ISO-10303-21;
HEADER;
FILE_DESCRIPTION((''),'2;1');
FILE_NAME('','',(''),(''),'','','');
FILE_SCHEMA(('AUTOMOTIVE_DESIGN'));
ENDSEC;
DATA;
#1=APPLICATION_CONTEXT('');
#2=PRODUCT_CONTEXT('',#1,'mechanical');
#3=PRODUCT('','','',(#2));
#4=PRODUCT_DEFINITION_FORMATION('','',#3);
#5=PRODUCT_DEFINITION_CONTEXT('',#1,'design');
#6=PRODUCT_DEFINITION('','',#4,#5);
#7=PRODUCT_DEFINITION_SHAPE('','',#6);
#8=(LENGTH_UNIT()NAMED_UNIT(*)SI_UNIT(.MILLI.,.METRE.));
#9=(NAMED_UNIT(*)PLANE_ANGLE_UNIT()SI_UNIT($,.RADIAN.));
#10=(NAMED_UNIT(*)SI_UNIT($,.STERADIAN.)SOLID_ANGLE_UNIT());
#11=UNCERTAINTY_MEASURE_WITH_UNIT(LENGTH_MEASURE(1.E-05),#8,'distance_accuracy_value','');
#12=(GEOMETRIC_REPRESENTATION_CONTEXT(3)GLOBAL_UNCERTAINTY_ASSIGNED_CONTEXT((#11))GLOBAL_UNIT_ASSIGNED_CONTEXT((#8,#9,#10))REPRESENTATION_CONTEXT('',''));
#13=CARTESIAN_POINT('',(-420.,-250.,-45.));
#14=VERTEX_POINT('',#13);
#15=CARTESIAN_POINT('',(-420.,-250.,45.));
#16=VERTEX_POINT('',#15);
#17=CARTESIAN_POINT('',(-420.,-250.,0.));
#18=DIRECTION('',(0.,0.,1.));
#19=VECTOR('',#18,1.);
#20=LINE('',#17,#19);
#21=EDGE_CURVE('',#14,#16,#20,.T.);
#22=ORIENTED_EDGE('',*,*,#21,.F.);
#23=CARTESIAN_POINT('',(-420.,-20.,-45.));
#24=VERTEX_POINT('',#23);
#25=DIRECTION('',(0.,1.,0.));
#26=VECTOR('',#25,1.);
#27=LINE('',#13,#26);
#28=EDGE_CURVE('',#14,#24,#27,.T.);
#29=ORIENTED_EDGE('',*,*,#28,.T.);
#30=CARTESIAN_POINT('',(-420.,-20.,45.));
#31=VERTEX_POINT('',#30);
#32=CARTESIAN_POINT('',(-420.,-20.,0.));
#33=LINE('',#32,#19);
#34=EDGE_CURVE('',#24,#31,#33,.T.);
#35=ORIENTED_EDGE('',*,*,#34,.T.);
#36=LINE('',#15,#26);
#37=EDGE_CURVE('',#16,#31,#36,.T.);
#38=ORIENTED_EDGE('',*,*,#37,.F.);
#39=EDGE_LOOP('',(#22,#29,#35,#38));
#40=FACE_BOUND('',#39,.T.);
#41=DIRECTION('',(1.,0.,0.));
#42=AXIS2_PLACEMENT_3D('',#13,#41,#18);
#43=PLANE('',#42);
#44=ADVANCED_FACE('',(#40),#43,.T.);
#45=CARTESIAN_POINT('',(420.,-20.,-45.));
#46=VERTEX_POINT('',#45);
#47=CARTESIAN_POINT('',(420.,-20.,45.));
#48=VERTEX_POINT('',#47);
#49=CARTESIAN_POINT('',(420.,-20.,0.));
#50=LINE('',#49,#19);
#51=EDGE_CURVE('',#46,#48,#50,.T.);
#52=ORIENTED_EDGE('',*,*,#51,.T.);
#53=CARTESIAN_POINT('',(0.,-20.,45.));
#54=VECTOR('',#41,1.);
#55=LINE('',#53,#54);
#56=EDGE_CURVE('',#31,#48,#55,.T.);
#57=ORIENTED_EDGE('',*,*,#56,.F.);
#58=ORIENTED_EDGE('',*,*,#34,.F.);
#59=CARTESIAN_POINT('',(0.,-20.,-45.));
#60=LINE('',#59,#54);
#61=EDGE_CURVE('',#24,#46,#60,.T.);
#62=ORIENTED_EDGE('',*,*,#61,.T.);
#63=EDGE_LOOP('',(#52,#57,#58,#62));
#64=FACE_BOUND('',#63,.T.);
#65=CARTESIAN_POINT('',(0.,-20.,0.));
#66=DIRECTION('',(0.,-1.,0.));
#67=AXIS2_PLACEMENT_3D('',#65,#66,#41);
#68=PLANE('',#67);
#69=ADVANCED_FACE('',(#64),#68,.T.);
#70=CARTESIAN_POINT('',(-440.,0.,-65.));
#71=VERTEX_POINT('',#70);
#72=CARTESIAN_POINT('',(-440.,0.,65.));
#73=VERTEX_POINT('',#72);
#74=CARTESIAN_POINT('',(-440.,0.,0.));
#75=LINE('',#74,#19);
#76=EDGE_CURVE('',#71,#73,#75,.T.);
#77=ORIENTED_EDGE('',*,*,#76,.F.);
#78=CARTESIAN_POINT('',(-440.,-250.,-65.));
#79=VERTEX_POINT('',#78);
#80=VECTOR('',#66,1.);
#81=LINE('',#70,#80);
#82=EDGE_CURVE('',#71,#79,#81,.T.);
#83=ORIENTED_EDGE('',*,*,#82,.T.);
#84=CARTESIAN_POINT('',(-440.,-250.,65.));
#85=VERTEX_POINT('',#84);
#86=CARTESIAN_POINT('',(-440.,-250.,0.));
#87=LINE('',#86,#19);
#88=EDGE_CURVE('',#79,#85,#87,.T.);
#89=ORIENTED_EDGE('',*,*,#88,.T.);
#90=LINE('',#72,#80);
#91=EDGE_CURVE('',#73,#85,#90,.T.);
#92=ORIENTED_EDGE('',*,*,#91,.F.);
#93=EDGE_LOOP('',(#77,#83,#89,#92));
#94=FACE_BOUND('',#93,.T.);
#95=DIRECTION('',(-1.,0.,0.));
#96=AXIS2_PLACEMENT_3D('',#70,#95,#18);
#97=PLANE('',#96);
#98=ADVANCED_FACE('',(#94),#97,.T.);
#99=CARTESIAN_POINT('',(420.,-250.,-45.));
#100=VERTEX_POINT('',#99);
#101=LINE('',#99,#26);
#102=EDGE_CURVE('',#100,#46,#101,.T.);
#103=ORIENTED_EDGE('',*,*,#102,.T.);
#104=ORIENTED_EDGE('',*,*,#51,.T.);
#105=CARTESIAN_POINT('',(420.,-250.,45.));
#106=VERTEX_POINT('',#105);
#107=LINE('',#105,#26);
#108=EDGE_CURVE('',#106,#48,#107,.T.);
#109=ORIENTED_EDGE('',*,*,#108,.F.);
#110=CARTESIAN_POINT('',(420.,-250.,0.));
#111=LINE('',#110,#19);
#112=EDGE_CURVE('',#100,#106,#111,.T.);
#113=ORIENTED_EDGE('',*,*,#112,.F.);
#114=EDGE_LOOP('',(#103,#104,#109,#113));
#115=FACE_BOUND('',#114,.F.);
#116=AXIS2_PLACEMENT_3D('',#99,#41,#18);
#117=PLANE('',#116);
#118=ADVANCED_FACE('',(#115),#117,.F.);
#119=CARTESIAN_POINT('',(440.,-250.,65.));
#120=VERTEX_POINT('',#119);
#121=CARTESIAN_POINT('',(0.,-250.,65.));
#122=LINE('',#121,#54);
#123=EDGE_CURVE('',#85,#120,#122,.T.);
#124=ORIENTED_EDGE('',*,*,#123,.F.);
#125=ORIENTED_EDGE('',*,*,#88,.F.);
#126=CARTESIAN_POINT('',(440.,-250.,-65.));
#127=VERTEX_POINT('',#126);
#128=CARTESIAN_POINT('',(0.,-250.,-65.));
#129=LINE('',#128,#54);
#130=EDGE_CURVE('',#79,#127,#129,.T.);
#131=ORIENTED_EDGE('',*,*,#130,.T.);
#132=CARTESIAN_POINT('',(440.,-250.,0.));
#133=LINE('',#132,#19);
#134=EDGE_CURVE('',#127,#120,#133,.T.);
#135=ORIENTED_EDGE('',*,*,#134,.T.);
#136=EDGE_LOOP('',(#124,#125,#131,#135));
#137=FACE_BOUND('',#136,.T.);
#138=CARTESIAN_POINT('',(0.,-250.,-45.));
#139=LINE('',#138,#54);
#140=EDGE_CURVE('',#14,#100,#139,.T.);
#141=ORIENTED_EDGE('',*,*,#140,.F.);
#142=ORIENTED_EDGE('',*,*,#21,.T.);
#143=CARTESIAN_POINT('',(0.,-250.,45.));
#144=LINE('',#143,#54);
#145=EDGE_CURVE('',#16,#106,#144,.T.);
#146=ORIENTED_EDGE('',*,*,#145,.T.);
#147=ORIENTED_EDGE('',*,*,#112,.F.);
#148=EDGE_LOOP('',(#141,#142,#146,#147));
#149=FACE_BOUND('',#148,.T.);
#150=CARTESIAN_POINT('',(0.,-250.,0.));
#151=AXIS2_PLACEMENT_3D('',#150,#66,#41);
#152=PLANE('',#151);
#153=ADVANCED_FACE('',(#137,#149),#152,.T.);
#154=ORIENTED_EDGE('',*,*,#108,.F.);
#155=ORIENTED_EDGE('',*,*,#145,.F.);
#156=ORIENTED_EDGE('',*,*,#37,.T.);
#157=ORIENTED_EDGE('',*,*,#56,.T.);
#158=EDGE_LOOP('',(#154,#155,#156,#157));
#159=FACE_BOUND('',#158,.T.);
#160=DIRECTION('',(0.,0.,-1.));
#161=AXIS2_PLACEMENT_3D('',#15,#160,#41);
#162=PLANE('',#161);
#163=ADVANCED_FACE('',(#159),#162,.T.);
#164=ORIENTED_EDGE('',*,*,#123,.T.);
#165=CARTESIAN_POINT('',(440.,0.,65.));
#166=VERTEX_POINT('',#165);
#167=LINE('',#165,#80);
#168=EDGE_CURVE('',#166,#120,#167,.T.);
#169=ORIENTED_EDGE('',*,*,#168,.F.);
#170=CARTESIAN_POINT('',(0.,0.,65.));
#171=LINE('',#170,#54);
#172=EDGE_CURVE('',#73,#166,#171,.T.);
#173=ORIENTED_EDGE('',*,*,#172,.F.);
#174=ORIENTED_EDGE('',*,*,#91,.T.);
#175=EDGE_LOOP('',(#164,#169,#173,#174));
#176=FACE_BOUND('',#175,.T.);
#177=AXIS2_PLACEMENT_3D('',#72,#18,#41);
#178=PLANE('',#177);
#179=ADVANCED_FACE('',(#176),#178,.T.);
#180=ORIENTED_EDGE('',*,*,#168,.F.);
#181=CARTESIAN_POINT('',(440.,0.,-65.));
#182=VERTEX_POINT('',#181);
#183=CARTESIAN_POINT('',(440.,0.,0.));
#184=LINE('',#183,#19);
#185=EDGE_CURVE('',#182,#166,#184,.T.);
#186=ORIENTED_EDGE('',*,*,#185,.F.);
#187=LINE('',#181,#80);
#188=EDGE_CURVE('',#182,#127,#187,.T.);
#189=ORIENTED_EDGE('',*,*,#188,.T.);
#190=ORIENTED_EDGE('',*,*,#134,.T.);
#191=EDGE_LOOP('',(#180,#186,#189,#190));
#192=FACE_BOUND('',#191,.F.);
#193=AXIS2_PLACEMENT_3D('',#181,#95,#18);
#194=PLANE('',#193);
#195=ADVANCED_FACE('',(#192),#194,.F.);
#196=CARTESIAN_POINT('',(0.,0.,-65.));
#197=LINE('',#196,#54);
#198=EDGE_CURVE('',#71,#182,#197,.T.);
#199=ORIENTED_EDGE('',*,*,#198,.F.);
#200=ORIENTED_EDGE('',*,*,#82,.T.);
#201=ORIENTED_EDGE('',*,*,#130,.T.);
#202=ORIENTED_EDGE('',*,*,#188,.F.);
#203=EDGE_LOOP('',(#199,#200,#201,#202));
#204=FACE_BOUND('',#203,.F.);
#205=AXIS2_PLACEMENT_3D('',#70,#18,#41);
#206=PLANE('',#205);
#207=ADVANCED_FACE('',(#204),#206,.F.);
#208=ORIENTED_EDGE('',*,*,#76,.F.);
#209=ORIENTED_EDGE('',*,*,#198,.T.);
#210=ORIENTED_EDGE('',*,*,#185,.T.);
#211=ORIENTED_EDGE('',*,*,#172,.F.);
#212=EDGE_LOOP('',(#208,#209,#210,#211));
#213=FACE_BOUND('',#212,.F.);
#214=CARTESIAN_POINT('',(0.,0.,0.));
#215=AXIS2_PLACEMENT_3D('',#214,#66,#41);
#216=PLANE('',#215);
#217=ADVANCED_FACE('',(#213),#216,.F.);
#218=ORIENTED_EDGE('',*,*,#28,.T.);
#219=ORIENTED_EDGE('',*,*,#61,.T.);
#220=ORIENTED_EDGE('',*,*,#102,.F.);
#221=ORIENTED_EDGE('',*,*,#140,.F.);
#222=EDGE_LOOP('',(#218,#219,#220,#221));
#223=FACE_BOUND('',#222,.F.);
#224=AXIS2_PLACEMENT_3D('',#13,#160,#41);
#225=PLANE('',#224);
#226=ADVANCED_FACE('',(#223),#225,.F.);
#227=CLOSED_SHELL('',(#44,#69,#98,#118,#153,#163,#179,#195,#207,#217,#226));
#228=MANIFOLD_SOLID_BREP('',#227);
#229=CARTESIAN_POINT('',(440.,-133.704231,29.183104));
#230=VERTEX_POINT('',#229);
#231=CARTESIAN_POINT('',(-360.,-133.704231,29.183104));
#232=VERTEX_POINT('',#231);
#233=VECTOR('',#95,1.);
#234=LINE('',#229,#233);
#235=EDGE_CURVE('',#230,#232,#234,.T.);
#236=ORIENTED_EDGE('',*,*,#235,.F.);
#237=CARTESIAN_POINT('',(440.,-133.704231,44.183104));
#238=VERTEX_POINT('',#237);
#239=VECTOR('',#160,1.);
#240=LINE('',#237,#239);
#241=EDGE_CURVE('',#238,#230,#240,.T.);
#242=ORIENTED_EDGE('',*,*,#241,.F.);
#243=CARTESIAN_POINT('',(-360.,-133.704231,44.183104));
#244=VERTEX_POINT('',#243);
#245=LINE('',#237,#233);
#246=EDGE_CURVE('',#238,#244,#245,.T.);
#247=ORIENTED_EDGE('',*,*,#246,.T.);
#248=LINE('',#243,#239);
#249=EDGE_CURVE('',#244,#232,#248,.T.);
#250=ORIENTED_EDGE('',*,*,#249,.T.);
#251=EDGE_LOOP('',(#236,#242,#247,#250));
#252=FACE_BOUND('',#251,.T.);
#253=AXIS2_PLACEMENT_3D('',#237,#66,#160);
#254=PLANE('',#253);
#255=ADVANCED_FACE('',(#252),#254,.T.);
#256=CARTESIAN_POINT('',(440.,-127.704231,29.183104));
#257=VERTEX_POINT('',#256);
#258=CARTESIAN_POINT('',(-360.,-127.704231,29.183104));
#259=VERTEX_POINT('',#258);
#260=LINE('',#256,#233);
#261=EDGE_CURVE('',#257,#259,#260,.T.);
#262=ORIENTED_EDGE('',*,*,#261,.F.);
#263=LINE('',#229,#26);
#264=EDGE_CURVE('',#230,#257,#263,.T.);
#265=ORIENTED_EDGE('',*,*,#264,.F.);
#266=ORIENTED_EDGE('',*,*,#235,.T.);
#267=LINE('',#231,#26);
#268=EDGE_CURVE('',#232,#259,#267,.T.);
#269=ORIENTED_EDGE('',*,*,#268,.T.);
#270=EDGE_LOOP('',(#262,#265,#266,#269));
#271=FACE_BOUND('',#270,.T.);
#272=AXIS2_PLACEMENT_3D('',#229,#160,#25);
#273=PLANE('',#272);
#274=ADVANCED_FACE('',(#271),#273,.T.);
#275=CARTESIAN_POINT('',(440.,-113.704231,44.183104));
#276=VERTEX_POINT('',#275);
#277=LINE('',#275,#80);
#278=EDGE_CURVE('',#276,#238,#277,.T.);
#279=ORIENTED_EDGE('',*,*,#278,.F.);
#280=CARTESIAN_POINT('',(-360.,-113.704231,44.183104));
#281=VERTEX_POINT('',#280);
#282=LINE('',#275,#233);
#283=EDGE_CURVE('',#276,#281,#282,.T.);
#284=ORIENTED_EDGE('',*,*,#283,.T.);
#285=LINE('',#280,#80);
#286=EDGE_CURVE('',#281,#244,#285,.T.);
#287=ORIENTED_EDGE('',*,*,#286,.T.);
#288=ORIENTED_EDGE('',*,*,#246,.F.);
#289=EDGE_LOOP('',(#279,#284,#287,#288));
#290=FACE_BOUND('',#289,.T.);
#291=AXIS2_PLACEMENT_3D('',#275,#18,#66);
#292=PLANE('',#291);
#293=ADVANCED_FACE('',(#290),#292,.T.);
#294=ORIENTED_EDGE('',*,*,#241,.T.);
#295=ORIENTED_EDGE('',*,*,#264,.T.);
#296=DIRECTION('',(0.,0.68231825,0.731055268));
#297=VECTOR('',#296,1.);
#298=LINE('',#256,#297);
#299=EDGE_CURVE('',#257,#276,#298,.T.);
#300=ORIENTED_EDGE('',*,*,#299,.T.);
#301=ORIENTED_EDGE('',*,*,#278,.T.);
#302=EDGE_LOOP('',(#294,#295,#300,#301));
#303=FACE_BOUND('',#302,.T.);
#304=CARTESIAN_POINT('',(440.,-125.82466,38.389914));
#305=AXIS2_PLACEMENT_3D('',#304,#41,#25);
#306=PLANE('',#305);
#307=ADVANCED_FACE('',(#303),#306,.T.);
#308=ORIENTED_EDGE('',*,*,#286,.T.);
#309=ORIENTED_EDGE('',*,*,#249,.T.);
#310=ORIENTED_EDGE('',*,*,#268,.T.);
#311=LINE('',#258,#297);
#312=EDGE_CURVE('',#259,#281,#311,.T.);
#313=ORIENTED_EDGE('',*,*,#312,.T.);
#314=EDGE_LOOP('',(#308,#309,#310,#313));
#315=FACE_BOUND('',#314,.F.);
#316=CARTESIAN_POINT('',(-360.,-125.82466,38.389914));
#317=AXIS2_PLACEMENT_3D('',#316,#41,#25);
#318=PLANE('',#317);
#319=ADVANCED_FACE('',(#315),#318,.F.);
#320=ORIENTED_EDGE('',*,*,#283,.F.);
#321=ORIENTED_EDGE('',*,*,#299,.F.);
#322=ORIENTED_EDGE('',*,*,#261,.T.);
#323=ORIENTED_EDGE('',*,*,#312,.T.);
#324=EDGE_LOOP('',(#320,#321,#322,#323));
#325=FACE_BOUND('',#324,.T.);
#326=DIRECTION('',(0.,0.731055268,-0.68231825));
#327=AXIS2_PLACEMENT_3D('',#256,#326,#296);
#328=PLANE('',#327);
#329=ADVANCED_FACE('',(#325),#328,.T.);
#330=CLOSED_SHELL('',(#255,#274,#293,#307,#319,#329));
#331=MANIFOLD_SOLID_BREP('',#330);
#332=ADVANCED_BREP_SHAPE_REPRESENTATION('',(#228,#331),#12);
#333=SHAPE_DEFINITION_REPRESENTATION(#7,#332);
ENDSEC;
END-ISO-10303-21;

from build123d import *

# Parameters (mm, degrees)
F0_W     = 880
F0_H     = 130
F1_DEPTH = 250
F2_W     = 840
F2_H     = 90
F3_DEPTH = 230
F5_DEPTH = 800


with BuildPart() as f1:
    # F0 (on Front) → F1 (new body)
    with BuildSketch(Plane.XZ):
        Rectangle(F0_W, F0_H)
    extrude(amount=F1_DEPTH)

    # F2 (on face) → F3 (cut)
    with BuildSketch(Plane.XZ.offset(250)):
        Rectangle(F2_W, F2_H)
    extrude(amount=-F3_DEPTH, mode=Mode.SUBTRACT)


with BuildPart() as f5:
    # F4 (on face) → F5 (new body)
    with BuildSketch(Plane.YZ.offset(440)):
        Polygon((-127.704231, 29.183104), (-113.704231, 44.183104), (-133.704231, 44.183104), (-133.704231, 29.183104), align=None)
    extrude(amount=-F5_DEPTH)


solid = Compound([f1.part, f5.part])
